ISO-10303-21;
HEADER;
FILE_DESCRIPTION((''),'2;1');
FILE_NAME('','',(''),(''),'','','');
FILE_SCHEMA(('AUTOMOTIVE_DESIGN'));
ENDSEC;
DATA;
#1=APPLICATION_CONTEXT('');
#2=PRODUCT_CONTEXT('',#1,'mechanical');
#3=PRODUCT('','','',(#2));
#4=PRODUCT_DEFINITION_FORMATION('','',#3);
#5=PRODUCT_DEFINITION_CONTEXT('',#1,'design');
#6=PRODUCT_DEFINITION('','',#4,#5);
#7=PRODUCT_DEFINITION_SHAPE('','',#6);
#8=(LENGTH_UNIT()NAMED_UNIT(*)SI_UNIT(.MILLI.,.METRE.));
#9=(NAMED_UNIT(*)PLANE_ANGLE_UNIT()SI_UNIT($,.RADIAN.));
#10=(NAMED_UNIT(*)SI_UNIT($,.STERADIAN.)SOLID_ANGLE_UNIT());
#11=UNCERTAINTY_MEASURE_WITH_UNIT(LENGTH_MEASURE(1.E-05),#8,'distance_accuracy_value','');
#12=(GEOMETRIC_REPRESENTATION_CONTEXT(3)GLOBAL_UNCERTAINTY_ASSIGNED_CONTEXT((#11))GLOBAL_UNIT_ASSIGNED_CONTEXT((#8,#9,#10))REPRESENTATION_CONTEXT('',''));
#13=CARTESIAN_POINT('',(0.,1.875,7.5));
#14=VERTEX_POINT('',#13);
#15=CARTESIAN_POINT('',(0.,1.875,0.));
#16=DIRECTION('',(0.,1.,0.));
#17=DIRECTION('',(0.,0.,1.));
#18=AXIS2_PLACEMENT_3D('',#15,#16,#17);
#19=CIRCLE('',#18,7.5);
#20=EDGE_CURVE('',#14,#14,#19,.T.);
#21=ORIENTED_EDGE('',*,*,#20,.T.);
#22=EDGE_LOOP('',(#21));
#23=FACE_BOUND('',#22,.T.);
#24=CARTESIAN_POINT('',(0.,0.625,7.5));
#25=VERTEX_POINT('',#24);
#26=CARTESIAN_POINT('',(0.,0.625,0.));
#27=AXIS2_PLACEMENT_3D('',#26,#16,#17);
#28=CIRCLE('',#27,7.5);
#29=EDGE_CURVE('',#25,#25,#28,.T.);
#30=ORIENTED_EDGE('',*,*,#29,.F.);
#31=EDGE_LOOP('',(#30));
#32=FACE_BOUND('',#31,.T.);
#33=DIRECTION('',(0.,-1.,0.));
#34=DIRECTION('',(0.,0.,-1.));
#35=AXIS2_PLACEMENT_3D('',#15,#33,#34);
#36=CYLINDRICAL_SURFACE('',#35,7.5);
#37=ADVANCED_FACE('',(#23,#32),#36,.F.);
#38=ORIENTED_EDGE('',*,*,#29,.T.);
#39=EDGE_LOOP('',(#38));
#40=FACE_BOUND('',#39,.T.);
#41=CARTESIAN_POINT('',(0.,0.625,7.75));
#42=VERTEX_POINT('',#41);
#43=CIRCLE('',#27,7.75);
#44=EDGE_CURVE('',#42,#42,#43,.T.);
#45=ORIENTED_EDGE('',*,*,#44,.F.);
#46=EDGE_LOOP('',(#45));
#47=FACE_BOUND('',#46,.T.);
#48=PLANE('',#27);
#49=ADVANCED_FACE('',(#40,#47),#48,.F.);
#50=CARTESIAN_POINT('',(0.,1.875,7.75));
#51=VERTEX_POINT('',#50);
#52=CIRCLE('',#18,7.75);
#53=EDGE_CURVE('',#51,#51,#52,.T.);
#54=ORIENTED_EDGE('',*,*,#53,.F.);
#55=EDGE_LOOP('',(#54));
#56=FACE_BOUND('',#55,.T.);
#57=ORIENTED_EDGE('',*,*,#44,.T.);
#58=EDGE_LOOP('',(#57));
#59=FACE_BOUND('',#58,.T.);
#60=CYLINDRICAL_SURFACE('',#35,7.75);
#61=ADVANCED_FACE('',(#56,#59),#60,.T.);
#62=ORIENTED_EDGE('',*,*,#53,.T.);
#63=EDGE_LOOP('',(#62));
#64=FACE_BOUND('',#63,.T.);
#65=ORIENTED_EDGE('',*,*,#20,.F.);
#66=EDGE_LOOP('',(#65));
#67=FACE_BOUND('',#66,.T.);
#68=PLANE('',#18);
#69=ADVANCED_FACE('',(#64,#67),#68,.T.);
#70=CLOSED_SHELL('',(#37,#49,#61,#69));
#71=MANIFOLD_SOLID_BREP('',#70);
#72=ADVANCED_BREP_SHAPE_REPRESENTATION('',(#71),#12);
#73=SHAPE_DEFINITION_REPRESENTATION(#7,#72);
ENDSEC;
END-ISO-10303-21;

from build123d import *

# Parameters (mm, degrees)
SKETCH1_R           = 15.5
SKETCH1_R_2         = 15
BOSS_EXTRUDE1_DEPTH = 2.5
ECHELLE1_SCALE      = 0.5


with BuildPart() as part:
    # Sketch1 → Boss-Extrude1 (new body)
    with BuildSketch(Plane(origin=(0, 0, 0), x_dir=(1, 0, 0), z_dir=(0, 1, 0))):
        with Locations(Location((0, 0, 0), (0, 0, 270))):
            Circle(SKETCH1_R)
        with Locations(Location((0, 0, 0), (0, 0, 270))):
            Circle(SKETCH1_R_2, mode=Mode.SUBTRACT)
    extrude(amount=BOSS_EXTRUDE1_DEPTH)


with BuildPart() as part_1:
    # Echelle1: scaled about (0, 1.25, 0)
    add(part.part.scale(ECHELLE1_SCALE).moved(Location((0, 0.625, 0))))


solid = part_1.part
